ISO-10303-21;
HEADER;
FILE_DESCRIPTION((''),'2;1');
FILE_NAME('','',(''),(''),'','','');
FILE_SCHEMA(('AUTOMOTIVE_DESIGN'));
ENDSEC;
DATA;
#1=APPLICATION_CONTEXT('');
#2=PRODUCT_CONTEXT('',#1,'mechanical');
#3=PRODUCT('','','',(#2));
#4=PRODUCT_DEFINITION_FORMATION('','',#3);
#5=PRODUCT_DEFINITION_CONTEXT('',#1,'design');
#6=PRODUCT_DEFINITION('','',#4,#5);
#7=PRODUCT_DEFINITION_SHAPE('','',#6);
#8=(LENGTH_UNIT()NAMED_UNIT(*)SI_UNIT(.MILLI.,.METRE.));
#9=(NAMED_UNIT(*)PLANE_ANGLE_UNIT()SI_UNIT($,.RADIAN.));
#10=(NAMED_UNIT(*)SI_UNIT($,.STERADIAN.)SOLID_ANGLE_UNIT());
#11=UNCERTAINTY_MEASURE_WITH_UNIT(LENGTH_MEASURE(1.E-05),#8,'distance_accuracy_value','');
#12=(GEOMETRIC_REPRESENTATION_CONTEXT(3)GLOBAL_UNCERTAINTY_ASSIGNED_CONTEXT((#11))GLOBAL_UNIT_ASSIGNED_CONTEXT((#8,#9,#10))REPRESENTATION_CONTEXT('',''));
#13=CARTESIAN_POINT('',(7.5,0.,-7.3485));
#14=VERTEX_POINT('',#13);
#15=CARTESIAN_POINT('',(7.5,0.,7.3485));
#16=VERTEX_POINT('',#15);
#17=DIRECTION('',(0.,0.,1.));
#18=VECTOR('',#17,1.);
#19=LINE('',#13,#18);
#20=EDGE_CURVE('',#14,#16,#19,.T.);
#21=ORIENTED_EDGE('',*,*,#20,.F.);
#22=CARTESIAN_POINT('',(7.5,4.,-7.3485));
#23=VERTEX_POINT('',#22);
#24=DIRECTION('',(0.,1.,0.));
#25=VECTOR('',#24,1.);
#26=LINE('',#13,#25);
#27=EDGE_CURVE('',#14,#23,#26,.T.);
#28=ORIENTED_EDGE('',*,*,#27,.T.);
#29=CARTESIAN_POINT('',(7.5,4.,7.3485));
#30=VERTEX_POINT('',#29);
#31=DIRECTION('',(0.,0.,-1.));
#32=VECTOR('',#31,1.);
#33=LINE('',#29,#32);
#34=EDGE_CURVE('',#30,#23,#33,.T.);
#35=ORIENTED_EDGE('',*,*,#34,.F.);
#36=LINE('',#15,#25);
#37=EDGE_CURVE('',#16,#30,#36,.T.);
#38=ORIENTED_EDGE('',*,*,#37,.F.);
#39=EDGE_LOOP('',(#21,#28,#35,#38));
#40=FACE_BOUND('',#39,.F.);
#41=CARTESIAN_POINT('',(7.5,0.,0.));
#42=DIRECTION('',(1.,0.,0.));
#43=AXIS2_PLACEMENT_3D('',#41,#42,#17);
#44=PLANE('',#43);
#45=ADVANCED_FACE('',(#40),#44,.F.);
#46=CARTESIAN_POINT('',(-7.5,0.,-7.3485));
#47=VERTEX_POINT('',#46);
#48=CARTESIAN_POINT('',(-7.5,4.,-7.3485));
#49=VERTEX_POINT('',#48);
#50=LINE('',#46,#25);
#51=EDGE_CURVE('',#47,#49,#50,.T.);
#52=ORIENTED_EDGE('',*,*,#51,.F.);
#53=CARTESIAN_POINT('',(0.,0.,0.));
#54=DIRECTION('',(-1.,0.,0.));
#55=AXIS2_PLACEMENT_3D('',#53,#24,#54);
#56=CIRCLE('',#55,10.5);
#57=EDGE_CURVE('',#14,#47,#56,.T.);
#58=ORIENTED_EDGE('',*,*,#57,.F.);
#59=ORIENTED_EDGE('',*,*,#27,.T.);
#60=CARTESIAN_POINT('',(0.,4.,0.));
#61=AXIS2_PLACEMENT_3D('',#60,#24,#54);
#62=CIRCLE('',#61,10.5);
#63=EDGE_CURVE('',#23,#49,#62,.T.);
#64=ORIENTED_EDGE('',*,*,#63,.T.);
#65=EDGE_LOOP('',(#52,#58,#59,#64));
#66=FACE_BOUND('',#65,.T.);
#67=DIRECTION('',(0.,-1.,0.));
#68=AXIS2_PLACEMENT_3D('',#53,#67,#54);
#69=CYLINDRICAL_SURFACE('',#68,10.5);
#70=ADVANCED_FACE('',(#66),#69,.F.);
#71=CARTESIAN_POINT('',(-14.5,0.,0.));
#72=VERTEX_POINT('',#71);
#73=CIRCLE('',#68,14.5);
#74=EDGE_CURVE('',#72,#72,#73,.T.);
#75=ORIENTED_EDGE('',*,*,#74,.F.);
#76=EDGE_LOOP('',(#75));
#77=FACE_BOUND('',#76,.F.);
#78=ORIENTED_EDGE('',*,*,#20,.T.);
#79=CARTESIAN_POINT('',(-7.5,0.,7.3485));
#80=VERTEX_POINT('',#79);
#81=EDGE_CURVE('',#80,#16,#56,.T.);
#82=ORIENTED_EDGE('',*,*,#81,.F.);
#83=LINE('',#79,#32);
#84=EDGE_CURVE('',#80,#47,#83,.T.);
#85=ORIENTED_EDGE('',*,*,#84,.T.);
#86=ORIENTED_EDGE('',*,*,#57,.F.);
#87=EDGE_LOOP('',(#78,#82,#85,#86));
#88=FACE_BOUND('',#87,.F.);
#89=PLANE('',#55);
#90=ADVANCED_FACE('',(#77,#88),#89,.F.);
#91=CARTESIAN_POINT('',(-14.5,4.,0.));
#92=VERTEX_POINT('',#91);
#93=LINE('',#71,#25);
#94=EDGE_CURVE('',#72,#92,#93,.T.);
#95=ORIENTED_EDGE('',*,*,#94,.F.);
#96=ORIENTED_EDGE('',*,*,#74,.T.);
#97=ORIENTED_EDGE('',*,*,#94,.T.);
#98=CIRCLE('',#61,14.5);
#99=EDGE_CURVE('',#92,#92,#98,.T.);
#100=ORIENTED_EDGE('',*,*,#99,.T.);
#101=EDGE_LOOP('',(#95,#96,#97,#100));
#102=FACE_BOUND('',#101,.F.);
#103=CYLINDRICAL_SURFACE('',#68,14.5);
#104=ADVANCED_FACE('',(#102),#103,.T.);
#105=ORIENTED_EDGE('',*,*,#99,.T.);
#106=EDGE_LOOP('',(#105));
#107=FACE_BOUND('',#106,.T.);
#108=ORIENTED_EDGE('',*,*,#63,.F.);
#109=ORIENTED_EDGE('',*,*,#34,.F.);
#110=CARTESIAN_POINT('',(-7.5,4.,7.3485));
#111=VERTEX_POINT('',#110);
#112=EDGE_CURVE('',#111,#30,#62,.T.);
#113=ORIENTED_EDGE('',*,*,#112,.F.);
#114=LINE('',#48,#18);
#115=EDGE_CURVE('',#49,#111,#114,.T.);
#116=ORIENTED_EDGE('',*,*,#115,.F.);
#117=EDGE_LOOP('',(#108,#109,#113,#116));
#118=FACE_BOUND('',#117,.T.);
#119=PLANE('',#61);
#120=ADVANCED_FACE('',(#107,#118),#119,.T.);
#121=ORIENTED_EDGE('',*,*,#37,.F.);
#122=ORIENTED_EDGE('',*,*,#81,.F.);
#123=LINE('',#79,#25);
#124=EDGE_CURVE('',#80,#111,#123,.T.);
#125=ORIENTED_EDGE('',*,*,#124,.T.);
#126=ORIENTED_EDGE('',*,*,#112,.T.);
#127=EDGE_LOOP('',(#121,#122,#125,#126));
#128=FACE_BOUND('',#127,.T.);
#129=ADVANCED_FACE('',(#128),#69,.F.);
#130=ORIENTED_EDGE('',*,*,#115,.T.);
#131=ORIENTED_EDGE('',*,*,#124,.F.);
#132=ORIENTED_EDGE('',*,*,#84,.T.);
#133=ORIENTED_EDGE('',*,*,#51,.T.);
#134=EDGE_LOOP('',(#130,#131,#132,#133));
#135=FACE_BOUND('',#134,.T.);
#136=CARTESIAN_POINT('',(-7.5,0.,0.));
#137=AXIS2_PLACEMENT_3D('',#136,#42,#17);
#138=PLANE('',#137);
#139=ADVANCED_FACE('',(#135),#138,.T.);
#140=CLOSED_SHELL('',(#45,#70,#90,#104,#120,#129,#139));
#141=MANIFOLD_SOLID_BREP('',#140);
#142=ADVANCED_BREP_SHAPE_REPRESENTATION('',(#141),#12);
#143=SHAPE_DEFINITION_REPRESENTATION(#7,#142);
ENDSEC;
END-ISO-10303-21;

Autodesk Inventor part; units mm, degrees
ref_plane "YZ Plane" through (0, 0, 0) normal (1, 0, 0) x (0, 1, 0)
ref_plane "XZ Plane" through (0, 0, 0) normal (0, 1, 0) x (-1, 0, 0)
ref_plane "XY Plane" through (0, 0, 0) normal (0, 0, 1) x (1, 0, 0)
sketch "Sketch1" plane through (0, 0, 0) normal (0, 1, 0) x (-1, 0, 0)
  circle A0 centre (0, 0) radius 14.5
  circle A1 centre (0, 0) radius 10.5
  line L0 (14.5, 0) -> (7.5, 0)
  line L1 (-14.5, 0) -> (-7.5, 0)
  line L2 (7.5, -7.3485) -> (7.5, 7.3485)
  line L3 (-7.5, -7.3485) -> (-7.5, 7.3485)
  dimension "d0" = 29
  dimension "d1" = 21
  dimension "d2" = 7
  dimension "d3" = 7
extrude "Extrusion1" add sketch "Sketch1" along normal blind 4 contours L0 A1 L1 A0 | A0 L1 A1 L0 | L0 L2 A1 | A1 L2 L0 | L1 L3 A1 | A1 L3 L1
properties part number "LoadCellFitting"
